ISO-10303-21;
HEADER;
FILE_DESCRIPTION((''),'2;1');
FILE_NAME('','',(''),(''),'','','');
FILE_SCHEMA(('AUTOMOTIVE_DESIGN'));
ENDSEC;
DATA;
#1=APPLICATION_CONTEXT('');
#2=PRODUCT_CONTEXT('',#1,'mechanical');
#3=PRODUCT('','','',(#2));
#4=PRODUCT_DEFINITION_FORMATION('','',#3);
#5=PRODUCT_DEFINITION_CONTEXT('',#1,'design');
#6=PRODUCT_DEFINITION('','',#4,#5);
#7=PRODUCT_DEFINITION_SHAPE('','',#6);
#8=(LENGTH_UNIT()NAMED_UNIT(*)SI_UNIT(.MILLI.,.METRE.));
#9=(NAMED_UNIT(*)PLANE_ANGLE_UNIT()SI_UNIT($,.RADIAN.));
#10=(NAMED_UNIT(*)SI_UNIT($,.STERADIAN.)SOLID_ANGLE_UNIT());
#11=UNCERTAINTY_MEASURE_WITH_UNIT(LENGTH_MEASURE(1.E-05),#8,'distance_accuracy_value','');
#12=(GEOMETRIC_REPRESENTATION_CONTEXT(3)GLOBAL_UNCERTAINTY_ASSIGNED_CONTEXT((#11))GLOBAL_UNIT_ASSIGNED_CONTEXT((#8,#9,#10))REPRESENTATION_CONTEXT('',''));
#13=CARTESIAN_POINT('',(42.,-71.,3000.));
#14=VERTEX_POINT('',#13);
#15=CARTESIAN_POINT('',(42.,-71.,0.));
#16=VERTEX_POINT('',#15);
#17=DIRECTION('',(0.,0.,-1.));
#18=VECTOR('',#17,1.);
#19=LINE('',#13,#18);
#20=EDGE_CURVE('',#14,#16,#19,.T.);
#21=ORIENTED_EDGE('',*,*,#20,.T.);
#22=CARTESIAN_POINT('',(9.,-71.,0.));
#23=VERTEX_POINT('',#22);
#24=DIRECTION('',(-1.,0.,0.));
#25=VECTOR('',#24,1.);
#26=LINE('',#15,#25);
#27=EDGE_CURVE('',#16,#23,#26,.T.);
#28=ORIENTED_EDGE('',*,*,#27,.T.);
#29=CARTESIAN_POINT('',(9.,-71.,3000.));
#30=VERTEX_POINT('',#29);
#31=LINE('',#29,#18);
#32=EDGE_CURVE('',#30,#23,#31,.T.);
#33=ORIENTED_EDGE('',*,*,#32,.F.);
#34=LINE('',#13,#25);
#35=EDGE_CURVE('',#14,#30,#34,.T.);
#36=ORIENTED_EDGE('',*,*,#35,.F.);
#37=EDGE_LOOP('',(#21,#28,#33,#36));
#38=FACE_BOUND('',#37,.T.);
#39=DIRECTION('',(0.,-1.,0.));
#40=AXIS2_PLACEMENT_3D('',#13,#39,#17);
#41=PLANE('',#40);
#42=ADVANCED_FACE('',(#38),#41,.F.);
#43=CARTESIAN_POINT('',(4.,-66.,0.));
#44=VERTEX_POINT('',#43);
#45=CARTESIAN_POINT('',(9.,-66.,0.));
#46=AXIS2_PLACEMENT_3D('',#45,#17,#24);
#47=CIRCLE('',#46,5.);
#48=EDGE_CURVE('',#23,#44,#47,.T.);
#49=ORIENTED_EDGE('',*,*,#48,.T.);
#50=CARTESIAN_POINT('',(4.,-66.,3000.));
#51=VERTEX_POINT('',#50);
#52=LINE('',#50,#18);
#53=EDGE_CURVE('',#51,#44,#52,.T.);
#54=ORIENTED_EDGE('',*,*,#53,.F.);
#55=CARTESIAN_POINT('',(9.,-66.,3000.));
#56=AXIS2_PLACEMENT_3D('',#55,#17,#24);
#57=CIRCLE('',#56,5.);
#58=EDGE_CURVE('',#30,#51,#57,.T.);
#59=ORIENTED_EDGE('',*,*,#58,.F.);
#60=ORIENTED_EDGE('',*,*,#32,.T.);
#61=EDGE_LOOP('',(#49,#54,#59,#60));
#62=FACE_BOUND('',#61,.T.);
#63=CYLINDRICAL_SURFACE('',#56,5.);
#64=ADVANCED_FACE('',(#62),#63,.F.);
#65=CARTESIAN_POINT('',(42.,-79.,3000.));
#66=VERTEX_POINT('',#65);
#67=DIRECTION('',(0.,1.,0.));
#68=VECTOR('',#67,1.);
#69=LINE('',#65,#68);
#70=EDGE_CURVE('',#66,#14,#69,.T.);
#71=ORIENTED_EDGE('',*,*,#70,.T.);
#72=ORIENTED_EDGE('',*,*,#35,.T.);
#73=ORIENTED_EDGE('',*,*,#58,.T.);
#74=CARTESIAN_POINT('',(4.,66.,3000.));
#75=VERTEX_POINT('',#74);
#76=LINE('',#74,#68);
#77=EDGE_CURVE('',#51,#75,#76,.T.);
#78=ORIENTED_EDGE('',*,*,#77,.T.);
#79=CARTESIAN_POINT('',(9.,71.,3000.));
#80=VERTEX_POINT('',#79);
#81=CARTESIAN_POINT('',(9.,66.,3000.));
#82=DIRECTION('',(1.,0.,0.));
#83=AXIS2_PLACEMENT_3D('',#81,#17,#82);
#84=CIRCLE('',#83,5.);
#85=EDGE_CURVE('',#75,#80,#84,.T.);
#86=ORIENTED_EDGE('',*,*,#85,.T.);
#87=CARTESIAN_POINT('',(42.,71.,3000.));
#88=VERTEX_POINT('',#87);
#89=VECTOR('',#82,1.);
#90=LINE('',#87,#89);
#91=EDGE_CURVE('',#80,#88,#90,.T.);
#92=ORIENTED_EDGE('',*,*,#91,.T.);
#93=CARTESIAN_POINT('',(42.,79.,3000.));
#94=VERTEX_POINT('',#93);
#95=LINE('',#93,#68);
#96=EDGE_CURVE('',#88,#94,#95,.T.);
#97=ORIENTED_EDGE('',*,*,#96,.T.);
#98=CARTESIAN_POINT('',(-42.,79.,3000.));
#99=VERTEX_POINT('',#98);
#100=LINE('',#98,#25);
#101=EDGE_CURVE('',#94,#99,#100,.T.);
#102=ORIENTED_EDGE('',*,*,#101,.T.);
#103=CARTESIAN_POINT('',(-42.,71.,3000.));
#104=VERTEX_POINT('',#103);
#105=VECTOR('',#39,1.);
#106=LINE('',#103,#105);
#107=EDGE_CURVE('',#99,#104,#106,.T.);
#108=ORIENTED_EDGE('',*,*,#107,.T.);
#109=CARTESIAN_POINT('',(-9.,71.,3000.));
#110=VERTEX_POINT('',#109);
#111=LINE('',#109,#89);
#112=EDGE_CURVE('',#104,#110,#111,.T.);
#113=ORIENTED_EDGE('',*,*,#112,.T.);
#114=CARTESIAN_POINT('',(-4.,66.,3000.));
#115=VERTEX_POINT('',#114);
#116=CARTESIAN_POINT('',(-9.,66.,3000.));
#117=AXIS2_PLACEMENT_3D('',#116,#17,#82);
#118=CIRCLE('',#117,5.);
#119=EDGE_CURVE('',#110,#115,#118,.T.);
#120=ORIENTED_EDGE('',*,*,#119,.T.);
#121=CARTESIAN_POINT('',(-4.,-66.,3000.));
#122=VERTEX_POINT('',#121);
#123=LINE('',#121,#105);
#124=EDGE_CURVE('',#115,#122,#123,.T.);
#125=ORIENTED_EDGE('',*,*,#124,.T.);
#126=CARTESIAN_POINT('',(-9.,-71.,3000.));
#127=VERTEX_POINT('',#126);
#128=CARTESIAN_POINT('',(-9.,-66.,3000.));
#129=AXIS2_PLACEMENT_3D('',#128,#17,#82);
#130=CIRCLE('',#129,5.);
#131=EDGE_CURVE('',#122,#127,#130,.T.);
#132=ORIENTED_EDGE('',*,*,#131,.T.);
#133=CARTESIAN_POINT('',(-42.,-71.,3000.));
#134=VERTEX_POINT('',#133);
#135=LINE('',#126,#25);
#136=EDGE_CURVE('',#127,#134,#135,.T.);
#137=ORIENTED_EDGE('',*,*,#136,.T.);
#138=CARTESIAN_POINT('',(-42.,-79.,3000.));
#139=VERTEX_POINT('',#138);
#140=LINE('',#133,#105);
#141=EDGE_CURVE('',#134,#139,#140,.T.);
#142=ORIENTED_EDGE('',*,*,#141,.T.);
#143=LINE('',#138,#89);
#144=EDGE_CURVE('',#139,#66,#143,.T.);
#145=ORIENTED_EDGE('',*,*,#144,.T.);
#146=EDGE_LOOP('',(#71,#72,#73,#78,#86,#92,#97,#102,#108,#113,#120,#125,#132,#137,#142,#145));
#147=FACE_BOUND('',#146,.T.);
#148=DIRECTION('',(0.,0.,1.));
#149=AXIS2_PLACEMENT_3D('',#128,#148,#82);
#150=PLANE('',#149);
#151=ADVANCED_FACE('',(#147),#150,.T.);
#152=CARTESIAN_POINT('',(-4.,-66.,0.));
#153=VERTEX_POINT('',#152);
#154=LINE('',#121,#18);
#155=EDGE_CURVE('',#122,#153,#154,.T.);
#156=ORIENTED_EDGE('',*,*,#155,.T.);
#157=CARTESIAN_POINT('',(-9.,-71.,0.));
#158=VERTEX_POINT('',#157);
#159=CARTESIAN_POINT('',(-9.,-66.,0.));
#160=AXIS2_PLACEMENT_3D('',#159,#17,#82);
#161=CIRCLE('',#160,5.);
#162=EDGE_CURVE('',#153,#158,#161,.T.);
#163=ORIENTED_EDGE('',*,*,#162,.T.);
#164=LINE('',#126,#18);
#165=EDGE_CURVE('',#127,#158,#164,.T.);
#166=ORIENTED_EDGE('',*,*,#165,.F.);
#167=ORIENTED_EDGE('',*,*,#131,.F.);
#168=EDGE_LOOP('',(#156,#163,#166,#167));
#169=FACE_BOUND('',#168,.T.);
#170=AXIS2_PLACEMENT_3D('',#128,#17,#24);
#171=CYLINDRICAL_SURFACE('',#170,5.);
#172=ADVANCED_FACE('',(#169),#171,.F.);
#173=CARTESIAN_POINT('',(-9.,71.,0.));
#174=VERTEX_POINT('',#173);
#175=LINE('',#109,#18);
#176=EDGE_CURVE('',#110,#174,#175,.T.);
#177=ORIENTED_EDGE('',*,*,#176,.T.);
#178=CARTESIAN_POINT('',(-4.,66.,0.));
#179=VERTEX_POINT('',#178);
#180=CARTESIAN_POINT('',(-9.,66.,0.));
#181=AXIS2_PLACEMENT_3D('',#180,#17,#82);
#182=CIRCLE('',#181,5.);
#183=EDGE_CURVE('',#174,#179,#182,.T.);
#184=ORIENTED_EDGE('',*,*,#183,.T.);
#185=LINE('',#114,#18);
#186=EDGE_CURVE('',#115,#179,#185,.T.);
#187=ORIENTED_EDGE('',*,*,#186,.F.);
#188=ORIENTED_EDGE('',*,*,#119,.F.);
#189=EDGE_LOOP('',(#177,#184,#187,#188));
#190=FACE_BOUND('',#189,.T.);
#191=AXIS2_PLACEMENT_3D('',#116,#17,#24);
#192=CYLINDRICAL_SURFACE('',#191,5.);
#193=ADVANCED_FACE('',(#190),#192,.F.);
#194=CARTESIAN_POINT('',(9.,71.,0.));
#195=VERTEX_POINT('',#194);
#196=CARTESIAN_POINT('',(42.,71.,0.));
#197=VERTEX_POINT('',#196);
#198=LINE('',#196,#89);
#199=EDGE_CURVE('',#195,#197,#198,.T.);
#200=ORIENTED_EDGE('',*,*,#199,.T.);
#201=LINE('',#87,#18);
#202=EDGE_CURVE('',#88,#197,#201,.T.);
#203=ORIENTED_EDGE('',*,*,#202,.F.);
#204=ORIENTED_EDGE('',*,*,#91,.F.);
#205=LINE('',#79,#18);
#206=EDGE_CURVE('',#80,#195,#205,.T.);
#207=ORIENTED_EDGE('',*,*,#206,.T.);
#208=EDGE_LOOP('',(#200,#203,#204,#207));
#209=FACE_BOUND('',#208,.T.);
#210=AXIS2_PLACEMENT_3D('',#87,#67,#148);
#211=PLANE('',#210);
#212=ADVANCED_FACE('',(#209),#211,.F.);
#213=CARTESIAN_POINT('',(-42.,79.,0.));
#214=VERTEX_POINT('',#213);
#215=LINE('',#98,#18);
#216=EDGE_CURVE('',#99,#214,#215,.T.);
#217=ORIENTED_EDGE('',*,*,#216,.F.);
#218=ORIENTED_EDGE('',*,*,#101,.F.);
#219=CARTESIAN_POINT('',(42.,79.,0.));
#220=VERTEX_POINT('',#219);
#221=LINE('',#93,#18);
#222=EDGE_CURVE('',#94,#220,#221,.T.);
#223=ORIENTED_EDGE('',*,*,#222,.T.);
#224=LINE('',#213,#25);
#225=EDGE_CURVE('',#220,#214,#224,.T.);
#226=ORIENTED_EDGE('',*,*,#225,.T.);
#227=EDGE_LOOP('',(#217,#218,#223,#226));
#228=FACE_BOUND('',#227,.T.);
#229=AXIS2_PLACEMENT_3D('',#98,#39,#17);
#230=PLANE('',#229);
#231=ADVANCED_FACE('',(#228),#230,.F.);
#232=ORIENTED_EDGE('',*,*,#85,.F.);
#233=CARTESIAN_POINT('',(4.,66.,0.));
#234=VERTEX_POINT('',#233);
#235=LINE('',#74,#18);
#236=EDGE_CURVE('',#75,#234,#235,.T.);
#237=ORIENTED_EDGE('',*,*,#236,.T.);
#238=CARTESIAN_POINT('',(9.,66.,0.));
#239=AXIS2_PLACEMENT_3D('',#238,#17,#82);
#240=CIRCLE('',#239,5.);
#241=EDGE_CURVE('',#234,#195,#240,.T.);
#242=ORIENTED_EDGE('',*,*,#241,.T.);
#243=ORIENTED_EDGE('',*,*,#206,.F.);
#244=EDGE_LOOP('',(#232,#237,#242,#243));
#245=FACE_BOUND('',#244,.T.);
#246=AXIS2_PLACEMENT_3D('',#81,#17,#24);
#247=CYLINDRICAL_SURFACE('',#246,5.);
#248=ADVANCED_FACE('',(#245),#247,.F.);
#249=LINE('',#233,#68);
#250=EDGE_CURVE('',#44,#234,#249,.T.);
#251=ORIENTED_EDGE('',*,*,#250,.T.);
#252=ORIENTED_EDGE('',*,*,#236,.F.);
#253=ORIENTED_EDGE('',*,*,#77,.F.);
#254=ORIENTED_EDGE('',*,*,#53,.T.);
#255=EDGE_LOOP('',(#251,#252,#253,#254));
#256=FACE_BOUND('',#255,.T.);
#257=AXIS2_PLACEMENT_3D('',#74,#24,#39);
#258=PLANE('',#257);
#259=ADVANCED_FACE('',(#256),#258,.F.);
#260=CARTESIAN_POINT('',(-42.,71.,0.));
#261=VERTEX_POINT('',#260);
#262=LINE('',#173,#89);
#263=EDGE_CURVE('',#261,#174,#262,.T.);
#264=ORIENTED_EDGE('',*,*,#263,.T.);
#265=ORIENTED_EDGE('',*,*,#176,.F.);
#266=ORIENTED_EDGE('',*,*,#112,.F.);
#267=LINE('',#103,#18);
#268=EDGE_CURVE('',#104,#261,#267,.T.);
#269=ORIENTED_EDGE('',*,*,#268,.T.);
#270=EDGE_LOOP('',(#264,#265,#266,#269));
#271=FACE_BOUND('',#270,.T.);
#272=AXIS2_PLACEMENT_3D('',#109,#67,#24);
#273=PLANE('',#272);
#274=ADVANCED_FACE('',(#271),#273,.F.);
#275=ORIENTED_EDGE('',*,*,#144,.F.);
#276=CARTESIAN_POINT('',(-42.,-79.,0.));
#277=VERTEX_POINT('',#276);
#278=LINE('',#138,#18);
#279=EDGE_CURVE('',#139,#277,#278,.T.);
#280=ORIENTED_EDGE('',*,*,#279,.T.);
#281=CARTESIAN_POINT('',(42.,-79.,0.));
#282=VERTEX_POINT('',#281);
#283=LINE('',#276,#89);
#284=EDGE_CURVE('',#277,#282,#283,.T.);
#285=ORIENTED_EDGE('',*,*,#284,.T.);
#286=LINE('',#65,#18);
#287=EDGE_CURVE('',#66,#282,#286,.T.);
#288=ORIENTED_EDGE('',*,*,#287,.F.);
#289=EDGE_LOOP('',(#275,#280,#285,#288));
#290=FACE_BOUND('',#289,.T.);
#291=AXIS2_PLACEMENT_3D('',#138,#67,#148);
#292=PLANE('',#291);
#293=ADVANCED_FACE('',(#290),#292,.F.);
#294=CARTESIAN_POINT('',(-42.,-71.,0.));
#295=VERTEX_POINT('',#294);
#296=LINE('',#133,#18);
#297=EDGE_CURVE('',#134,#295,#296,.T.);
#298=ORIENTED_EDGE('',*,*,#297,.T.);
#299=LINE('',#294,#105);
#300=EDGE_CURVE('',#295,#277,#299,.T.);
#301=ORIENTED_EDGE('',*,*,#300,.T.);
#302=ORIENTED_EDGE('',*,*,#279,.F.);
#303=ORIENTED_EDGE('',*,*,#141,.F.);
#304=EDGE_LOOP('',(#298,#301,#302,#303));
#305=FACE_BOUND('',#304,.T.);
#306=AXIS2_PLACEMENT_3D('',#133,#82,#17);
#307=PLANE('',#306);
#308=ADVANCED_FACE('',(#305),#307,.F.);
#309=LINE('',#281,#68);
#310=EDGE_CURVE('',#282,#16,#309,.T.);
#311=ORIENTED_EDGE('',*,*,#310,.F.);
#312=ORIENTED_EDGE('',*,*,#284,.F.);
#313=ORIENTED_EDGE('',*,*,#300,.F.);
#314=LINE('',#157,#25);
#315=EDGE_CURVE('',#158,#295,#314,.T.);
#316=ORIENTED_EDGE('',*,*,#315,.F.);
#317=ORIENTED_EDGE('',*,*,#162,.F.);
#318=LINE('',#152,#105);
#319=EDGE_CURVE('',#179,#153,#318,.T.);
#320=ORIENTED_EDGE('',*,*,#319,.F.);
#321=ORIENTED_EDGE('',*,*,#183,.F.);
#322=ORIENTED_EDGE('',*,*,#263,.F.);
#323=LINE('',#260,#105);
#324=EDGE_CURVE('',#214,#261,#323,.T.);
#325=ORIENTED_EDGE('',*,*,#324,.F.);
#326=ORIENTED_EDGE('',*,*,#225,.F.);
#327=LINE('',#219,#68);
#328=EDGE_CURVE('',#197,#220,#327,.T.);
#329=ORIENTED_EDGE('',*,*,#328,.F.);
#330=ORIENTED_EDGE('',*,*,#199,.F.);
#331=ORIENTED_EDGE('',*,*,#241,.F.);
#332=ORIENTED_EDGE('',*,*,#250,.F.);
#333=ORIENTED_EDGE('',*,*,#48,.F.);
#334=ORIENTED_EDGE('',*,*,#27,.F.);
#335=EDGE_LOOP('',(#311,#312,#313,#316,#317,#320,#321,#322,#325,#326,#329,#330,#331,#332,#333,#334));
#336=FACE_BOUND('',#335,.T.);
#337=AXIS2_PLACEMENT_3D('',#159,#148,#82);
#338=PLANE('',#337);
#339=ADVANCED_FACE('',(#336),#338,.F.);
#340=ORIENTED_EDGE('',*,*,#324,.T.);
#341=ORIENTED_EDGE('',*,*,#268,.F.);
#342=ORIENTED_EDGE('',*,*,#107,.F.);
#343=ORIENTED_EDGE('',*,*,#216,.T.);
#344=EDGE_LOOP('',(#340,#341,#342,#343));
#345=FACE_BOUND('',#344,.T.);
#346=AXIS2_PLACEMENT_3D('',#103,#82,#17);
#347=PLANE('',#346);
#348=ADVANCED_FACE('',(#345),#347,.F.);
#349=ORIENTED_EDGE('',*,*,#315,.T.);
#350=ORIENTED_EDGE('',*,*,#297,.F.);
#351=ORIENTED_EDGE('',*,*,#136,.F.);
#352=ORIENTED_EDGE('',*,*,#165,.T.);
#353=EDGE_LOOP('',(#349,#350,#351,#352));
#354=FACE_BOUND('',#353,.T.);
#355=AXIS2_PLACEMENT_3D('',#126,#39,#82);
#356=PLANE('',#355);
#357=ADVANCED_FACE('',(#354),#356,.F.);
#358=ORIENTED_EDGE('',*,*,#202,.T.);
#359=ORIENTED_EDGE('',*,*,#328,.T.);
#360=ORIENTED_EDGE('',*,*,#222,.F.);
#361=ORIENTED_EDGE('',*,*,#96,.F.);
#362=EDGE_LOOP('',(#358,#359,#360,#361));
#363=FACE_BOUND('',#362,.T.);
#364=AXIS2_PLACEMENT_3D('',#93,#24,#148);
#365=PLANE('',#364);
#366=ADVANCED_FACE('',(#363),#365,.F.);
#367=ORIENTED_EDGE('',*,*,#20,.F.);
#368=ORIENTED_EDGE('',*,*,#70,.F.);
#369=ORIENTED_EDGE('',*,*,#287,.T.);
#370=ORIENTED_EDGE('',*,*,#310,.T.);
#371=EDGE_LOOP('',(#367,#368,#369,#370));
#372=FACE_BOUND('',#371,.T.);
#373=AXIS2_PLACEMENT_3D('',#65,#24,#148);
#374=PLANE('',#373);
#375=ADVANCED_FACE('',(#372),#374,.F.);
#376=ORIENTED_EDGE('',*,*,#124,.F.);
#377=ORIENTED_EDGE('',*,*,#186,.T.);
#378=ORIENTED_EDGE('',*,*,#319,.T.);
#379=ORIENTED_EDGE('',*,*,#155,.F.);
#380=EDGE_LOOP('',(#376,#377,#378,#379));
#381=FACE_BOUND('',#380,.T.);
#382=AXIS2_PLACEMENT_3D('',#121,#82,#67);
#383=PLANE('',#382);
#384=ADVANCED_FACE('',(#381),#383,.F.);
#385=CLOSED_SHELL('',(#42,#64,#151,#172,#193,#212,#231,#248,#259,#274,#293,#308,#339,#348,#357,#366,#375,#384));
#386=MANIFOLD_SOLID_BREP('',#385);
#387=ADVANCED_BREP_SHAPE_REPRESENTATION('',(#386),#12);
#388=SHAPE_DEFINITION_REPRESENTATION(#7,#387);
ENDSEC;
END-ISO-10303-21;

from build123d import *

# Parameters (mm, degrees)
BOSS_EXTRUDE1_DEPTH = 3000


with BuildPart() as part:
    # Sketch1 → Boss-Extrude1 (new body)
    with BuildSketch(Plane.XY):
        with BuildLine():
            Line((-4, -66), (-4, 66))
            ThreePointArc((-4, 66), (-5.464466094, 69.535533906), (-9, 71))
            Line((-9, 71), (-42, 71))
            Line((-42, 71), (-42, 79))
            Line((-42, 79), (42, 79))
            Line((42, 79), (42, 71))
            Line((42, 71), (9, 71))
            ThreePointArc((9, 71), (5.464466094, 69.535533906), (4, 66))
            Line((4, 66), (4, -66))
            ThreePointArc((4, -66), (5.464466094, -69.535533906), (9, -71))
            Line((9, -71), (42, -71))
            Line((42, -71), (42, -79))
            Line((42, -79), (-42, -79))
            Line((-42, -79), (-42, -71))
            Line((-42, -71), (-9, -71))
            ThreePointArc((-9, -71), (-5.464466094, -69.535533906), (-4, -66))
        make_face()
    extrude(amount=BOSS_EXTRUDE1_DEPTH)


solid = part.part
